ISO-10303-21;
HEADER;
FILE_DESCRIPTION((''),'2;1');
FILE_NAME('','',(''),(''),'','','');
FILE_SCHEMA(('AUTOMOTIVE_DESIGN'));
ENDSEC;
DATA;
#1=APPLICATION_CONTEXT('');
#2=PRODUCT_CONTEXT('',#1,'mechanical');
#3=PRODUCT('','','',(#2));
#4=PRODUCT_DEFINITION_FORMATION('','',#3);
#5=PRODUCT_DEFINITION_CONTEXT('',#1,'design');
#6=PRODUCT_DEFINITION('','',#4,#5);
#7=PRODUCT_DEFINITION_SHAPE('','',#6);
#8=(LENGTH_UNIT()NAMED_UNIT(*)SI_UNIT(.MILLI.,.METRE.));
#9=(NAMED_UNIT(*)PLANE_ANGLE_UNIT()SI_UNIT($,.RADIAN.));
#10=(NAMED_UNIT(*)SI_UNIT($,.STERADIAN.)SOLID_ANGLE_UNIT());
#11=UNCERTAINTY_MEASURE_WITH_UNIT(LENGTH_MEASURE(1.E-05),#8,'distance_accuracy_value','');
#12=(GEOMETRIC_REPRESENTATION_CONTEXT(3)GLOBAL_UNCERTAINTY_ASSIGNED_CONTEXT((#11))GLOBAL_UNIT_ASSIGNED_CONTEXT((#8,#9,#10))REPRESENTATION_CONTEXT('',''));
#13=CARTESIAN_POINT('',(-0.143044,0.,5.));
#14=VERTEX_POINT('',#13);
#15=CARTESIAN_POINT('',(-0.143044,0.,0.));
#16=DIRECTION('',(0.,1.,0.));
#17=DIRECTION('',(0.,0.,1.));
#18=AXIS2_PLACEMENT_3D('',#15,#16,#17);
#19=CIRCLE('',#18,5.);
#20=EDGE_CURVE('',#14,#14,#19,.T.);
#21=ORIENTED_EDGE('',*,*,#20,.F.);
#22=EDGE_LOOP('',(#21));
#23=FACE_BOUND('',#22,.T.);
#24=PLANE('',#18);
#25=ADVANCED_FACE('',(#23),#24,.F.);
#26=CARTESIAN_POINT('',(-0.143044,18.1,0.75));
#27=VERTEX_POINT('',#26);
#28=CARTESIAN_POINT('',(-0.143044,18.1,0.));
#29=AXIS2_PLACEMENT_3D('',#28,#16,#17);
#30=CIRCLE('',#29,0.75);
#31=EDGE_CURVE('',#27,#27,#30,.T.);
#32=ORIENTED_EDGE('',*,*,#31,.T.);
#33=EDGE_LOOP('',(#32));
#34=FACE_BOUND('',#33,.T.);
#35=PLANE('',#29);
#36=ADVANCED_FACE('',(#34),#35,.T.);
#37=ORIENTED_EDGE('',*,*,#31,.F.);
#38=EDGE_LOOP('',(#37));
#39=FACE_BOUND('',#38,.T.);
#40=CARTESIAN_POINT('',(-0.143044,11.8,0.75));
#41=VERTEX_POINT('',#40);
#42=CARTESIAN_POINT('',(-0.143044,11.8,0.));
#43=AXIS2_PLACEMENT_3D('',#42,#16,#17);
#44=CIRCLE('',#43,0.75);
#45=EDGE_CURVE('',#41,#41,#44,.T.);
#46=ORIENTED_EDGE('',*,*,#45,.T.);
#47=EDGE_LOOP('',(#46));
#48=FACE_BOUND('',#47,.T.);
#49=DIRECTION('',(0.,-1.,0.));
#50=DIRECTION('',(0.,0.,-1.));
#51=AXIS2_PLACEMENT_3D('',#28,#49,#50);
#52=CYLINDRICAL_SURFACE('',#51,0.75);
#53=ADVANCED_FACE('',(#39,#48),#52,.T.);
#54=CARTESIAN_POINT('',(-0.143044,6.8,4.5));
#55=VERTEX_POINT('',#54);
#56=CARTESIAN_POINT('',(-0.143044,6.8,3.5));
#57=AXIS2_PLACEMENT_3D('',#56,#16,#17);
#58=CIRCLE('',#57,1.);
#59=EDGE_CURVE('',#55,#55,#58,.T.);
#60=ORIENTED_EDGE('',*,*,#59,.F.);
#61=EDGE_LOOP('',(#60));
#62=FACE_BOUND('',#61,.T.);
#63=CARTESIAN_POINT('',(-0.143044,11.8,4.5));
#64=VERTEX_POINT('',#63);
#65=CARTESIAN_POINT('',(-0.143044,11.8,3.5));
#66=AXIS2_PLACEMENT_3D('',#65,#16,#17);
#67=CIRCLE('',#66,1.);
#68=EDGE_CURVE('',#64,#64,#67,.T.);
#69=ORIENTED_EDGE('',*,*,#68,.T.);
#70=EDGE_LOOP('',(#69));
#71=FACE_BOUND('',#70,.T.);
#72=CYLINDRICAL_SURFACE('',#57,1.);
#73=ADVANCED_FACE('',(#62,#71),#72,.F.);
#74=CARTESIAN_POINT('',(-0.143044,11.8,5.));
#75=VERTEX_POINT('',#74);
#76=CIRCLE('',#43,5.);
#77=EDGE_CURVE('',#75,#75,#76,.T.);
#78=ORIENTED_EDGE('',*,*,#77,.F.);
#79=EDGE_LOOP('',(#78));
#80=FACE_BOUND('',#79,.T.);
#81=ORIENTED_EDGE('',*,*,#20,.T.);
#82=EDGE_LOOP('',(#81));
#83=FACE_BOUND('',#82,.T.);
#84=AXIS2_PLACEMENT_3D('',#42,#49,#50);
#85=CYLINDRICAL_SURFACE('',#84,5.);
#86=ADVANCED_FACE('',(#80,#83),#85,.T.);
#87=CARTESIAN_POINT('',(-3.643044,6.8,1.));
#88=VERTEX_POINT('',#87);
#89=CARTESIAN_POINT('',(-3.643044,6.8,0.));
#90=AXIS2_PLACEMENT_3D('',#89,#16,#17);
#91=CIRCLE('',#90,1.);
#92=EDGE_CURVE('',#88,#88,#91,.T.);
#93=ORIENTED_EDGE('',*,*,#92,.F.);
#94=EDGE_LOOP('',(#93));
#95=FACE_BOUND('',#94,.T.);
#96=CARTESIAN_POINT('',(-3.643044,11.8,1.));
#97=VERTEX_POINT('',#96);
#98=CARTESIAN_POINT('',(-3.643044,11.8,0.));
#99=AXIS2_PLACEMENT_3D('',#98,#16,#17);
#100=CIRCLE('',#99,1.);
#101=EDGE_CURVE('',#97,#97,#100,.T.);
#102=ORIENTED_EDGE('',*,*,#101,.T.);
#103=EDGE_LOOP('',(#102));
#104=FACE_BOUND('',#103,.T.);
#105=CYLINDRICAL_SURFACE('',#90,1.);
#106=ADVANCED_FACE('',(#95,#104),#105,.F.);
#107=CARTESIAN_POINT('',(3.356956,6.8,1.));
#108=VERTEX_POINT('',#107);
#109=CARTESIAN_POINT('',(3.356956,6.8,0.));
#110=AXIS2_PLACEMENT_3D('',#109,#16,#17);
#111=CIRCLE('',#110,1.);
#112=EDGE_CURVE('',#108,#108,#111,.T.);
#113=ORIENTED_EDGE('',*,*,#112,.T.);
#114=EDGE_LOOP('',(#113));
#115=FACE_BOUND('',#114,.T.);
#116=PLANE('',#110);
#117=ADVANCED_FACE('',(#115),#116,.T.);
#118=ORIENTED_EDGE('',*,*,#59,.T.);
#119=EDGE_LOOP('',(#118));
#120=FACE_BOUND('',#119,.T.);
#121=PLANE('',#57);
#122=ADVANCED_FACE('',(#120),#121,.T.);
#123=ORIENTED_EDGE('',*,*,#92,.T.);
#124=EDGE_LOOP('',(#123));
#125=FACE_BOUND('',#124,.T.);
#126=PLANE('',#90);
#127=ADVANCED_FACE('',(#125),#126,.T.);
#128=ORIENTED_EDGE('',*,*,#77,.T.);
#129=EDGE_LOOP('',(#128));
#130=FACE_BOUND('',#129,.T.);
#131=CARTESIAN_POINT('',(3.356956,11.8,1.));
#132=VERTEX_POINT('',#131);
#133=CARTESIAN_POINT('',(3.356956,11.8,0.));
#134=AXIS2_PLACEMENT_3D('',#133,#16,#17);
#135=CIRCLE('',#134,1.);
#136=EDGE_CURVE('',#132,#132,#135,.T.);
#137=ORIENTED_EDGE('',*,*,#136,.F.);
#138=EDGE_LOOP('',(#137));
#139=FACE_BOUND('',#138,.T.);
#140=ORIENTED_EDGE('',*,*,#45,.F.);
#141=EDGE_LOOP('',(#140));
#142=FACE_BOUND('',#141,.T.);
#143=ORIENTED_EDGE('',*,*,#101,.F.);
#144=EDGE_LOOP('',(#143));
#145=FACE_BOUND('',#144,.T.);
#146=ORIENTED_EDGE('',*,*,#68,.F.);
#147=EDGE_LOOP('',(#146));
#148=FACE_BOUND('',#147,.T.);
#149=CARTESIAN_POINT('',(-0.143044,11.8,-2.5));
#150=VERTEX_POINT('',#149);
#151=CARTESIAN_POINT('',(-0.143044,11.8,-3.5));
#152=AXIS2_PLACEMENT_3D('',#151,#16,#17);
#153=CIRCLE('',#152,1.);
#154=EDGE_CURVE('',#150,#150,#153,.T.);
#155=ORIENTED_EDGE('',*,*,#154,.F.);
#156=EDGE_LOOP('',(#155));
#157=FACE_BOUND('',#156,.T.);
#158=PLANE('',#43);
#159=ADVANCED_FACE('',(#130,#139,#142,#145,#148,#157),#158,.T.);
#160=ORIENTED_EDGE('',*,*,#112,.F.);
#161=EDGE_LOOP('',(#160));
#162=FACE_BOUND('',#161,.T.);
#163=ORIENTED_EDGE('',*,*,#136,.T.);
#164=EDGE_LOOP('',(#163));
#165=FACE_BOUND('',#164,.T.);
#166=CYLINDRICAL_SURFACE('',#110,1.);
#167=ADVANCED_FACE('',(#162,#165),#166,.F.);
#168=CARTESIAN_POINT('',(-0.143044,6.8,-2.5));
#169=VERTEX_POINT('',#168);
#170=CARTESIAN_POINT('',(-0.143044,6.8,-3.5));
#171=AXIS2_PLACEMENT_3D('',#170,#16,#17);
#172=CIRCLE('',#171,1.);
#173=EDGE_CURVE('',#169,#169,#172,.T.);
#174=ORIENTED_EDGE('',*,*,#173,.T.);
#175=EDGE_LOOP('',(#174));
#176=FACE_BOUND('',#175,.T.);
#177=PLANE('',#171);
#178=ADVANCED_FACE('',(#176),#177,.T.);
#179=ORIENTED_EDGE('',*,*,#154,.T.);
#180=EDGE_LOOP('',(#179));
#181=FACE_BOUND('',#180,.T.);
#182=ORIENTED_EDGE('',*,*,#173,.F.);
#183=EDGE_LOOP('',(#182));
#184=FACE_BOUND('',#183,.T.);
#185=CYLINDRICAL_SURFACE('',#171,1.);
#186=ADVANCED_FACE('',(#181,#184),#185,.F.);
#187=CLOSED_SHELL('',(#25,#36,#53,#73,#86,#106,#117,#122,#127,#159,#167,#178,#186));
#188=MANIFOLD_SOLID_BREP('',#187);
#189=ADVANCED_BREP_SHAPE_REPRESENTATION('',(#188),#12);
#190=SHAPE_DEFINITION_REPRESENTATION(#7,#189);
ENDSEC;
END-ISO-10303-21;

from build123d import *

# Parameters (mm, degrees)
SKETCH_1_R          = 5
EXTRUDE_1_DEPTH     = 11.8
SKETCH_2_R          = 0.75
EXTRUDE_3_DEPTH     = 6.3
SKETCH_4_R          = 1
CUT_EXTRUDE_1_DEPTH = 5


with BuildPart() as part:
    # 草图1 → 凸台-拉伸1 (new body)
    with BuildSketch(Plane(origin=(0, 0, 0), x_dir=(1, 0, 0), z_dir=(0, 1, 0))):
        with Locations(Location((-0.143044278, 0, 0), (0, 0, 270))):
            Circle(SKETCH_1_R)
    extrude(amount=EXTRUDE_1_DEPTH)

    # 草图2 → 凸台-拉伸3 (add)
    with BuildSketch(Plane(origin=(0, 11.8, 0), x_dir=(1, 0, 0), z_dir=(0, 1, 0))):
        with Locations(Location((-0.143044278, 0, 0), (0, 0, 270))):
            Circle(SKETCH_2_R)
    extrude(amount=EXTRUDE_3_DEPTH)

    # 草图4 → 切除-拉伸1 (cut)
    with BuildSketch(Plane(origin=(0, 11.8, 0), x_dir=(1, 0, 0), z_dir=(0, 1, 0))):
        with Locations(Location((-0.143044278, -3.5, 0), (0, 0, 270))):
            Circle(SKETCH_4_R)
        with Locations(Location((-3.643044278, 0, 0), (0, 0, 270))):
            Circle(SKETCH_4_R)
        with Locations(Location((-0.143044278, 3.5, 0), (0, 0, 270))):
            Circle(SKETCH_4_R)
        with Locations(Location((3.356955722, 0, 0), (0, 0, 270))):
            Circle(SKETCH_4_R)
    extrude(amount=-CUT_EXTRUDE_1_DEPTH, mode=Mode.SUBTRACT)


solid = part.part
